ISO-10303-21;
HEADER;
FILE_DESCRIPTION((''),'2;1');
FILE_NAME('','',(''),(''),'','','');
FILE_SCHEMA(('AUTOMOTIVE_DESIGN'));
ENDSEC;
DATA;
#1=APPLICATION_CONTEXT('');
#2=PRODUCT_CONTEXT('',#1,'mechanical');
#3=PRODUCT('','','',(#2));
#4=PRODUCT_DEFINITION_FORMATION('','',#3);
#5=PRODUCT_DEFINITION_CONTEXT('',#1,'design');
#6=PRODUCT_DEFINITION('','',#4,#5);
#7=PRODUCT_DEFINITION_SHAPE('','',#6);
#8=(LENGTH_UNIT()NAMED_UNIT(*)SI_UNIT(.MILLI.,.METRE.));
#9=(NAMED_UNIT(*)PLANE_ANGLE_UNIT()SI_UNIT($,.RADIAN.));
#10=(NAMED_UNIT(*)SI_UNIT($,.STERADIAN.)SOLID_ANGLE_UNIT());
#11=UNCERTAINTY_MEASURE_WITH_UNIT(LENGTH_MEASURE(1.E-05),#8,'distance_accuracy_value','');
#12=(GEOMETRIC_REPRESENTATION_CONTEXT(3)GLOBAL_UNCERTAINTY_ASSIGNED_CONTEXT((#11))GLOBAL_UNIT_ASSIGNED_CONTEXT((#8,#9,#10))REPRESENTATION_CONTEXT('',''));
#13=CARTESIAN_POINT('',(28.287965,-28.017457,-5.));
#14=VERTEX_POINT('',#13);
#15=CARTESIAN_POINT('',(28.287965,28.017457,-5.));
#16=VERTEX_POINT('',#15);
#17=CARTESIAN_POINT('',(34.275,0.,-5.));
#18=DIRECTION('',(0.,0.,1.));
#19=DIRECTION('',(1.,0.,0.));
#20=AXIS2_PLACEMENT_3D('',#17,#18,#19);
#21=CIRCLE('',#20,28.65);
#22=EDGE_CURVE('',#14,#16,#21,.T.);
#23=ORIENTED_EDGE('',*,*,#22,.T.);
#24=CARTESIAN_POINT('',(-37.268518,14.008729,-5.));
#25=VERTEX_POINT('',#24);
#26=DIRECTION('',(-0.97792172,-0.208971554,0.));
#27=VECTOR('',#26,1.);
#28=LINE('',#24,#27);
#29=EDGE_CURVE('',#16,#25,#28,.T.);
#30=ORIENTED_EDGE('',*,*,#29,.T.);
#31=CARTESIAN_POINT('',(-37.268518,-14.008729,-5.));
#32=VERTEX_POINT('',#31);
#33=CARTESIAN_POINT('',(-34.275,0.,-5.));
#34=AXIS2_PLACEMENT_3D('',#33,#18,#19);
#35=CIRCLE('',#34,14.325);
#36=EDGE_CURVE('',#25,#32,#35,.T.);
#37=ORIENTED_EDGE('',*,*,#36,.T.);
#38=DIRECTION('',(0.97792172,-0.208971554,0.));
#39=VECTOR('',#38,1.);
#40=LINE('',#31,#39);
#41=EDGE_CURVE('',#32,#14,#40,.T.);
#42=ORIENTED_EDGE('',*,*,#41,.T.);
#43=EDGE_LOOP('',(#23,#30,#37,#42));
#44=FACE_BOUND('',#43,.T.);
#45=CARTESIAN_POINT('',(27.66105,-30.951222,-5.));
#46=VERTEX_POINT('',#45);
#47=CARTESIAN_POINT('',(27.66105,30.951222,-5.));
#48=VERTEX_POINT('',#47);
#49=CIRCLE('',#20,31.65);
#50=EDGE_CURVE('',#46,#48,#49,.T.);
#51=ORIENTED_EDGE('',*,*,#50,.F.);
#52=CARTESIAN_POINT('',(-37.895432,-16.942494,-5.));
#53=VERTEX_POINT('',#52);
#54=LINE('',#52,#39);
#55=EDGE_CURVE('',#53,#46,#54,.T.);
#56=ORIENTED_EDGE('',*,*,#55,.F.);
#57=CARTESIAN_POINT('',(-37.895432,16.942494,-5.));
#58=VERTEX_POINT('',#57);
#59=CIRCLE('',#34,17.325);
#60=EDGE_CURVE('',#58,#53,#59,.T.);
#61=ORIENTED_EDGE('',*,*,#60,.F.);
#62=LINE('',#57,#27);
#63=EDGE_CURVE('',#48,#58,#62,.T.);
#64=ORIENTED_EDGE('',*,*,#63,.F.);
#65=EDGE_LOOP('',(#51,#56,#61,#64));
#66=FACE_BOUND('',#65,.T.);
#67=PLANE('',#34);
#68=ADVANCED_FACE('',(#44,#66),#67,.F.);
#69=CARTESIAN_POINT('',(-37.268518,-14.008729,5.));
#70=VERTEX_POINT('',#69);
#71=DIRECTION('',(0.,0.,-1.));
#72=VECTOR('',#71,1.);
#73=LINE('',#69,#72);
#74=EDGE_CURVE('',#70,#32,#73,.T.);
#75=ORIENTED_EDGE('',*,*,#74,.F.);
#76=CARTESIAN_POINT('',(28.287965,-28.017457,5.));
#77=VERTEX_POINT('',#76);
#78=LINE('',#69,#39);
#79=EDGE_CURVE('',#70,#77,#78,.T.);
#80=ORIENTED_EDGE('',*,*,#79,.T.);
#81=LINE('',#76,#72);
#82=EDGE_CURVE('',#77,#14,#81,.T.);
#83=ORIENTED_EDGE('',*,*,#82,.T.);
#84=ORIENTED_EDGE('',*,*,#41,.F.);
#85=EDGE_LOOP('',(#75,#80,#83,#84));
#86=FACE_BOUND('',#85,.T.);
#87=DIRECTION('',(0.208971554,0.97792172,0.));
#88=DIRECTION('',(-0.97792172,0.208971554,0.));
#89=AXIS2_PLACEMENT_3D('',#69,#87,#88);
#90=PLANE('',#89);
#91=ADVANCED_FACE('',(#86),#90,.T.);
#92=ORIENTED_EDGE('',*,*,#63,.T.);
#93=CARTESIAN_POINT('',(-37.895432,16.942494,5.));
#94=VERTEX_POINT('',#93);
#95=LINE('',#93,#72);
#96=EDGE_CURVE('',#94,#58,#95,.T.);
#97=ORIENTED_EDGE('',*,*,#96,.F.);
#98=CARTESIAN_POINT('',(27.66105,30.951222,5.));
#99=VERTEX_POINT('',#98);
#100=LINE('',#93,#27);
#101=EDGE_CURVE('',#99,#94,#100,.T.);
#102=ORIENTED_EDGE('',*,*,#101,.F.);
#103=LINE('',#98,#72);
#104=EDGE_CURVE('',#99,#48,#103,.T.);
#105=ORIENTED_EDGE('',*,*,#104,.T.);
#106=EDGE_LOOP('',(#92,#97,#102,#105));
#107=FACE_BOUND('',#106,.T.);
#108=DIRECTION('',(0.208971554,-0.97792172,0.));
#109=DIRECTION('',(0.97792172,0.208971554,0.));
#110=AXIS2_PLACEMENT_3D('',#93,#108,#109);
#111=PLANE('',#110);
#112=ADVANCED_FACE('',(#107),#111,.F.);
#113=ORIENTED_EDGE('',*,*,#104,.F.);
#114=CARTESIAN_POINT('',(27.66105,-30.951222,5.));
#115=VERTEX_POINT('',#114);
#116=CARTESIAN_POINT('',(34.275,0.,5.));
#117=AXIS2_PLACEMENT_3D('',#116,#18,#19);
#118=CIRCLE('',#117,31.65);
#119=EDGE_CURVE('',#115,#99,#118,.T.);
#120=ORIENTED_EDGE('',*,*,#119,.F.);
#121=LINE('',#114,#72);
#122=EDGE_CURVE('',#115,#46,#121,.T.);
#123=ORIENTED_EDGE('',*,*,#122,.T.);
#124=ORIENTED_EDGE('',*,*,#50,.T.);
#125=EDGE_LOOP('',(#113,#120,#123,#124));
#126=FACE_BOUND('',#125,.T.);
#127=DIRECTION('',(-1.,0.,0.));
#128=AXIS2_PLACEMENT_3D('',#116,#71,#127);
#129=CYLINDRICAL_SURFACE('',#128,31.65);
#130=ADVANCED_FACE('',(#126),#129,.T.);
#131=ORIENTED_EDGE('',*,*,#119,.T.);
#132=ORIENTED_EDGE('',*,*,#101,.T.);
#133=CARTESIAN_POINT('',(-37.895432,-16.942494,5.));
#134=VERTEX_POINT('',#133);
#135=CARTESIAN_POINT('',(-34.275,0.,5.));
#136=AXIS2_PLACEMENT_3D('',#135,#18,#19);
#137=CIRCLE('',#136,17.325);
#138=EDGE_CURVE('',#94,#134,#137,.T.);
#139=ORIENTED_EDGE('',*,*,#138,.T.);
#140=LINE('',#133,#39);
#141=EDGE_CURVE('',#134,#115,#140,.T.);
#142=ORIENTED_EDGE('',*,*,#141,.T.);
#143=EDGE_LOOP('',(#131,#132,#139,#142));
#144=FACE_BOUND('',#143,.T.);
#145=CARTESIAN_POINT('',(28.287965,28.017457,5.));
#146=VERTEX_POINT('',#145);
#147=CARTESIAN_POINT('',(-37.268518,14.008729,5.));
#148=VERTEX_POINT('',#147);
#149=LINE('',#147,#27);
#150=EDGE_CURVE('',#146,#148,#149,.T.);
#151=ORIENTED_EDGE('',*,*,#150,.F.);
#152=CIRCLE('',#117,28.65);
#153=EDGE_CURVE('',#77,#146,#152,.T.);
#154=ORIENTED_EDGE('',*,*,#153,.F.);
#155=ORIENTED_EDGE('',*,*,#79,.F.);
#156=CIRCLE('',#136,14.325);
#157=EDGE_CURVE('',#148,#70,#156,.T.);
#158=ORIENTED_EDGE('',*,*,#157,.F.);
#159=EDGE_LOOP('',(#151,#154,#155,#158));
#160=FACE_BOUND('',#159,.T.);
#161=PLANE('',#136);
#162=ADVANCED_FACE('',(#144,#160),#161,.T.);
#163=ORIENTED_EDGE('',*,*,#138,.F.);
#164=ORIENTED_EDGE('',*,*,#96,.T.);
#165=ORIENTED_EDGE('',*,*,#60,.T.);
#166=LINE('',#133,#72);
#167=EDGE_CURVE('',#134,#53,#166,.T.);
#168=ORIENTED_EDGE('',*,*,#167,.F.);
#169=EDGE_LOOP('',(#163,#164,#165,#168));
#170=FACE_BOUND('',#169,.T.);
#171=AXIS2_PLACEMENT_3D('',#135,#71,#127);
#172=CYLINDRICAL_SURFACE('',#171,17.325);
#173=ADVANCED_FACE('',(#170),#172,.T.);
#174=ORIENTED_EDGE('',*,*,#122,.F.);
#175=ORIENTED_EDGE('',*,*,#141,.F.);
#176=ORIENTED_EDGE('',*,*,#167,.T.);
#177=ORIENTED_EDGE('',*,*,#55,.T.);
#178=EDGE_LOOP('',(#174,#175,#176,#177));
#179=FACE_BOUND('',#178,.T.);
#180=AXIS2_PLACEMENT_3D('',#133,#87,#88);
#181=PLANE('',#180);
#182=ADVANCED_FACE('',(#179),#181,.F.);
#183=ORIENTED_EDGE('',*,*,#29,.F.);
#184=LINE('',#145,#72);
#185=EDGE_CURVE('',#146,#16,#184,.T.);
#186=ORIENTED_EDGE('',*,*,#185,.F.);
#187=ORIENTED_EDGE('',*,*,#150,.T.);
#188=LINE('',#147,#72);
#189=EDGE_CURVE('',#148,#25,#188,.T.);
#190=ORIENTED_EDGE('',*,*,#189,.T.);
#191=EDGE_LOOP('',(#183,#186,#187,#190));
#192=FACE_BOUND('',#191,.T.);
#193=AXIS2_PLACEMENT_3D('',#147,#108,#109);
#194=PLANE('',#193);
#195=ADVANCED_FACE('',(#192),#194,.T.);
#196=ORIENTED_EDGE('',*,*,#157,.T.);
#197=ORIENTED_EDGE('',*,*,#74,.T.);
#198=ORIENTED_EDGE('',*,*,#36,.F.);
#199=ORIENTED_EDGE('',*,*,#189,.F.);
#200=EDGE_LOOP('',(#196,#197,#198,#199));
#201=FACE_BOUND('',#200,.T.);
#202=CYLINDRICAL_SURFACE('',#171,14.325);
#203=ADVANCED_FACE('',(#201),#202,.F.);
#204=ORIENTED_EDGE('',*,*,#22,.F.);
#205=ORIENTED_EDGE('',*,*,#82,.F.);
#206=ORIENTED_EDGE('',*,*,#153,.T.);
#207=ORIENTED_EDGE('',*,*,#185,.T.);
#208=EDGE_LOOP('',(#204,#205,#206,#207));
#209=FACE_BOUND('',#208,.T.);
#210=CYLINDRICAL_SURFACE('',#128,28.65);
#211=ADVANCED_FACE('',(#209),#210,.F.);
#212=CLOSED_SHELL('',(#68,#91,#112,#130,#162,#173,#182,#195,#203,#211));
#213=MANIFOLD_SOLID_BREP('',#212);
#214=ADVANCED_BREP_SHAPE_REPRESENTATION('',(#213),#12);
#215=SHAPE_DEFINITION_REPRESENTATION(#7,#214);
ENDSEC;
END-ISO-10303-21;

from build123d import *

# Parameters (mm, degrees)
BOSS_EXTRUDE1_DEPTH = 5


with BuildPart() as part:
    # Sketch1 → Boss-Extrude1 (new, symmetric)
    with BuildSketch(Plane.XY):
        with BuildLine():
            Line((-37.895432166, 16.942493793), (27.661050328, 30.951222427))
            ThreePointArc((27.661050328, 30.951222427), (65.925, 0), (27.661050328, -30.951222427))
            Line((27.661050328, -30.951222427), (-37.895432166, -16.942493793))
            ThreePointArc((-37.895432166, -16.942493793), (-51.6, 0), (-37.895432166, 16.942493793))
        make_face()
        with BuildLine():
            Line((-37.268517505, 14.008728634), (28.287964989, 28.017457268))
            ThreePointArc((28.287964989, 28.017457268), (62.925, 0), (28.287964989, -28.017457268))
            Line((28.287964989, -28.017457268), (-37.268517505, -14.008728634))
            ThreePointArc((-37.268517505, -14.008728634), (-48.6, 0), (-37.268517505, 14.008728634))
        make_face(mode=Mode.SUBTRACT)
    extrude(amount=BOSS_EXTRUDE1_DEPTH, both=True)


solid = part.part
